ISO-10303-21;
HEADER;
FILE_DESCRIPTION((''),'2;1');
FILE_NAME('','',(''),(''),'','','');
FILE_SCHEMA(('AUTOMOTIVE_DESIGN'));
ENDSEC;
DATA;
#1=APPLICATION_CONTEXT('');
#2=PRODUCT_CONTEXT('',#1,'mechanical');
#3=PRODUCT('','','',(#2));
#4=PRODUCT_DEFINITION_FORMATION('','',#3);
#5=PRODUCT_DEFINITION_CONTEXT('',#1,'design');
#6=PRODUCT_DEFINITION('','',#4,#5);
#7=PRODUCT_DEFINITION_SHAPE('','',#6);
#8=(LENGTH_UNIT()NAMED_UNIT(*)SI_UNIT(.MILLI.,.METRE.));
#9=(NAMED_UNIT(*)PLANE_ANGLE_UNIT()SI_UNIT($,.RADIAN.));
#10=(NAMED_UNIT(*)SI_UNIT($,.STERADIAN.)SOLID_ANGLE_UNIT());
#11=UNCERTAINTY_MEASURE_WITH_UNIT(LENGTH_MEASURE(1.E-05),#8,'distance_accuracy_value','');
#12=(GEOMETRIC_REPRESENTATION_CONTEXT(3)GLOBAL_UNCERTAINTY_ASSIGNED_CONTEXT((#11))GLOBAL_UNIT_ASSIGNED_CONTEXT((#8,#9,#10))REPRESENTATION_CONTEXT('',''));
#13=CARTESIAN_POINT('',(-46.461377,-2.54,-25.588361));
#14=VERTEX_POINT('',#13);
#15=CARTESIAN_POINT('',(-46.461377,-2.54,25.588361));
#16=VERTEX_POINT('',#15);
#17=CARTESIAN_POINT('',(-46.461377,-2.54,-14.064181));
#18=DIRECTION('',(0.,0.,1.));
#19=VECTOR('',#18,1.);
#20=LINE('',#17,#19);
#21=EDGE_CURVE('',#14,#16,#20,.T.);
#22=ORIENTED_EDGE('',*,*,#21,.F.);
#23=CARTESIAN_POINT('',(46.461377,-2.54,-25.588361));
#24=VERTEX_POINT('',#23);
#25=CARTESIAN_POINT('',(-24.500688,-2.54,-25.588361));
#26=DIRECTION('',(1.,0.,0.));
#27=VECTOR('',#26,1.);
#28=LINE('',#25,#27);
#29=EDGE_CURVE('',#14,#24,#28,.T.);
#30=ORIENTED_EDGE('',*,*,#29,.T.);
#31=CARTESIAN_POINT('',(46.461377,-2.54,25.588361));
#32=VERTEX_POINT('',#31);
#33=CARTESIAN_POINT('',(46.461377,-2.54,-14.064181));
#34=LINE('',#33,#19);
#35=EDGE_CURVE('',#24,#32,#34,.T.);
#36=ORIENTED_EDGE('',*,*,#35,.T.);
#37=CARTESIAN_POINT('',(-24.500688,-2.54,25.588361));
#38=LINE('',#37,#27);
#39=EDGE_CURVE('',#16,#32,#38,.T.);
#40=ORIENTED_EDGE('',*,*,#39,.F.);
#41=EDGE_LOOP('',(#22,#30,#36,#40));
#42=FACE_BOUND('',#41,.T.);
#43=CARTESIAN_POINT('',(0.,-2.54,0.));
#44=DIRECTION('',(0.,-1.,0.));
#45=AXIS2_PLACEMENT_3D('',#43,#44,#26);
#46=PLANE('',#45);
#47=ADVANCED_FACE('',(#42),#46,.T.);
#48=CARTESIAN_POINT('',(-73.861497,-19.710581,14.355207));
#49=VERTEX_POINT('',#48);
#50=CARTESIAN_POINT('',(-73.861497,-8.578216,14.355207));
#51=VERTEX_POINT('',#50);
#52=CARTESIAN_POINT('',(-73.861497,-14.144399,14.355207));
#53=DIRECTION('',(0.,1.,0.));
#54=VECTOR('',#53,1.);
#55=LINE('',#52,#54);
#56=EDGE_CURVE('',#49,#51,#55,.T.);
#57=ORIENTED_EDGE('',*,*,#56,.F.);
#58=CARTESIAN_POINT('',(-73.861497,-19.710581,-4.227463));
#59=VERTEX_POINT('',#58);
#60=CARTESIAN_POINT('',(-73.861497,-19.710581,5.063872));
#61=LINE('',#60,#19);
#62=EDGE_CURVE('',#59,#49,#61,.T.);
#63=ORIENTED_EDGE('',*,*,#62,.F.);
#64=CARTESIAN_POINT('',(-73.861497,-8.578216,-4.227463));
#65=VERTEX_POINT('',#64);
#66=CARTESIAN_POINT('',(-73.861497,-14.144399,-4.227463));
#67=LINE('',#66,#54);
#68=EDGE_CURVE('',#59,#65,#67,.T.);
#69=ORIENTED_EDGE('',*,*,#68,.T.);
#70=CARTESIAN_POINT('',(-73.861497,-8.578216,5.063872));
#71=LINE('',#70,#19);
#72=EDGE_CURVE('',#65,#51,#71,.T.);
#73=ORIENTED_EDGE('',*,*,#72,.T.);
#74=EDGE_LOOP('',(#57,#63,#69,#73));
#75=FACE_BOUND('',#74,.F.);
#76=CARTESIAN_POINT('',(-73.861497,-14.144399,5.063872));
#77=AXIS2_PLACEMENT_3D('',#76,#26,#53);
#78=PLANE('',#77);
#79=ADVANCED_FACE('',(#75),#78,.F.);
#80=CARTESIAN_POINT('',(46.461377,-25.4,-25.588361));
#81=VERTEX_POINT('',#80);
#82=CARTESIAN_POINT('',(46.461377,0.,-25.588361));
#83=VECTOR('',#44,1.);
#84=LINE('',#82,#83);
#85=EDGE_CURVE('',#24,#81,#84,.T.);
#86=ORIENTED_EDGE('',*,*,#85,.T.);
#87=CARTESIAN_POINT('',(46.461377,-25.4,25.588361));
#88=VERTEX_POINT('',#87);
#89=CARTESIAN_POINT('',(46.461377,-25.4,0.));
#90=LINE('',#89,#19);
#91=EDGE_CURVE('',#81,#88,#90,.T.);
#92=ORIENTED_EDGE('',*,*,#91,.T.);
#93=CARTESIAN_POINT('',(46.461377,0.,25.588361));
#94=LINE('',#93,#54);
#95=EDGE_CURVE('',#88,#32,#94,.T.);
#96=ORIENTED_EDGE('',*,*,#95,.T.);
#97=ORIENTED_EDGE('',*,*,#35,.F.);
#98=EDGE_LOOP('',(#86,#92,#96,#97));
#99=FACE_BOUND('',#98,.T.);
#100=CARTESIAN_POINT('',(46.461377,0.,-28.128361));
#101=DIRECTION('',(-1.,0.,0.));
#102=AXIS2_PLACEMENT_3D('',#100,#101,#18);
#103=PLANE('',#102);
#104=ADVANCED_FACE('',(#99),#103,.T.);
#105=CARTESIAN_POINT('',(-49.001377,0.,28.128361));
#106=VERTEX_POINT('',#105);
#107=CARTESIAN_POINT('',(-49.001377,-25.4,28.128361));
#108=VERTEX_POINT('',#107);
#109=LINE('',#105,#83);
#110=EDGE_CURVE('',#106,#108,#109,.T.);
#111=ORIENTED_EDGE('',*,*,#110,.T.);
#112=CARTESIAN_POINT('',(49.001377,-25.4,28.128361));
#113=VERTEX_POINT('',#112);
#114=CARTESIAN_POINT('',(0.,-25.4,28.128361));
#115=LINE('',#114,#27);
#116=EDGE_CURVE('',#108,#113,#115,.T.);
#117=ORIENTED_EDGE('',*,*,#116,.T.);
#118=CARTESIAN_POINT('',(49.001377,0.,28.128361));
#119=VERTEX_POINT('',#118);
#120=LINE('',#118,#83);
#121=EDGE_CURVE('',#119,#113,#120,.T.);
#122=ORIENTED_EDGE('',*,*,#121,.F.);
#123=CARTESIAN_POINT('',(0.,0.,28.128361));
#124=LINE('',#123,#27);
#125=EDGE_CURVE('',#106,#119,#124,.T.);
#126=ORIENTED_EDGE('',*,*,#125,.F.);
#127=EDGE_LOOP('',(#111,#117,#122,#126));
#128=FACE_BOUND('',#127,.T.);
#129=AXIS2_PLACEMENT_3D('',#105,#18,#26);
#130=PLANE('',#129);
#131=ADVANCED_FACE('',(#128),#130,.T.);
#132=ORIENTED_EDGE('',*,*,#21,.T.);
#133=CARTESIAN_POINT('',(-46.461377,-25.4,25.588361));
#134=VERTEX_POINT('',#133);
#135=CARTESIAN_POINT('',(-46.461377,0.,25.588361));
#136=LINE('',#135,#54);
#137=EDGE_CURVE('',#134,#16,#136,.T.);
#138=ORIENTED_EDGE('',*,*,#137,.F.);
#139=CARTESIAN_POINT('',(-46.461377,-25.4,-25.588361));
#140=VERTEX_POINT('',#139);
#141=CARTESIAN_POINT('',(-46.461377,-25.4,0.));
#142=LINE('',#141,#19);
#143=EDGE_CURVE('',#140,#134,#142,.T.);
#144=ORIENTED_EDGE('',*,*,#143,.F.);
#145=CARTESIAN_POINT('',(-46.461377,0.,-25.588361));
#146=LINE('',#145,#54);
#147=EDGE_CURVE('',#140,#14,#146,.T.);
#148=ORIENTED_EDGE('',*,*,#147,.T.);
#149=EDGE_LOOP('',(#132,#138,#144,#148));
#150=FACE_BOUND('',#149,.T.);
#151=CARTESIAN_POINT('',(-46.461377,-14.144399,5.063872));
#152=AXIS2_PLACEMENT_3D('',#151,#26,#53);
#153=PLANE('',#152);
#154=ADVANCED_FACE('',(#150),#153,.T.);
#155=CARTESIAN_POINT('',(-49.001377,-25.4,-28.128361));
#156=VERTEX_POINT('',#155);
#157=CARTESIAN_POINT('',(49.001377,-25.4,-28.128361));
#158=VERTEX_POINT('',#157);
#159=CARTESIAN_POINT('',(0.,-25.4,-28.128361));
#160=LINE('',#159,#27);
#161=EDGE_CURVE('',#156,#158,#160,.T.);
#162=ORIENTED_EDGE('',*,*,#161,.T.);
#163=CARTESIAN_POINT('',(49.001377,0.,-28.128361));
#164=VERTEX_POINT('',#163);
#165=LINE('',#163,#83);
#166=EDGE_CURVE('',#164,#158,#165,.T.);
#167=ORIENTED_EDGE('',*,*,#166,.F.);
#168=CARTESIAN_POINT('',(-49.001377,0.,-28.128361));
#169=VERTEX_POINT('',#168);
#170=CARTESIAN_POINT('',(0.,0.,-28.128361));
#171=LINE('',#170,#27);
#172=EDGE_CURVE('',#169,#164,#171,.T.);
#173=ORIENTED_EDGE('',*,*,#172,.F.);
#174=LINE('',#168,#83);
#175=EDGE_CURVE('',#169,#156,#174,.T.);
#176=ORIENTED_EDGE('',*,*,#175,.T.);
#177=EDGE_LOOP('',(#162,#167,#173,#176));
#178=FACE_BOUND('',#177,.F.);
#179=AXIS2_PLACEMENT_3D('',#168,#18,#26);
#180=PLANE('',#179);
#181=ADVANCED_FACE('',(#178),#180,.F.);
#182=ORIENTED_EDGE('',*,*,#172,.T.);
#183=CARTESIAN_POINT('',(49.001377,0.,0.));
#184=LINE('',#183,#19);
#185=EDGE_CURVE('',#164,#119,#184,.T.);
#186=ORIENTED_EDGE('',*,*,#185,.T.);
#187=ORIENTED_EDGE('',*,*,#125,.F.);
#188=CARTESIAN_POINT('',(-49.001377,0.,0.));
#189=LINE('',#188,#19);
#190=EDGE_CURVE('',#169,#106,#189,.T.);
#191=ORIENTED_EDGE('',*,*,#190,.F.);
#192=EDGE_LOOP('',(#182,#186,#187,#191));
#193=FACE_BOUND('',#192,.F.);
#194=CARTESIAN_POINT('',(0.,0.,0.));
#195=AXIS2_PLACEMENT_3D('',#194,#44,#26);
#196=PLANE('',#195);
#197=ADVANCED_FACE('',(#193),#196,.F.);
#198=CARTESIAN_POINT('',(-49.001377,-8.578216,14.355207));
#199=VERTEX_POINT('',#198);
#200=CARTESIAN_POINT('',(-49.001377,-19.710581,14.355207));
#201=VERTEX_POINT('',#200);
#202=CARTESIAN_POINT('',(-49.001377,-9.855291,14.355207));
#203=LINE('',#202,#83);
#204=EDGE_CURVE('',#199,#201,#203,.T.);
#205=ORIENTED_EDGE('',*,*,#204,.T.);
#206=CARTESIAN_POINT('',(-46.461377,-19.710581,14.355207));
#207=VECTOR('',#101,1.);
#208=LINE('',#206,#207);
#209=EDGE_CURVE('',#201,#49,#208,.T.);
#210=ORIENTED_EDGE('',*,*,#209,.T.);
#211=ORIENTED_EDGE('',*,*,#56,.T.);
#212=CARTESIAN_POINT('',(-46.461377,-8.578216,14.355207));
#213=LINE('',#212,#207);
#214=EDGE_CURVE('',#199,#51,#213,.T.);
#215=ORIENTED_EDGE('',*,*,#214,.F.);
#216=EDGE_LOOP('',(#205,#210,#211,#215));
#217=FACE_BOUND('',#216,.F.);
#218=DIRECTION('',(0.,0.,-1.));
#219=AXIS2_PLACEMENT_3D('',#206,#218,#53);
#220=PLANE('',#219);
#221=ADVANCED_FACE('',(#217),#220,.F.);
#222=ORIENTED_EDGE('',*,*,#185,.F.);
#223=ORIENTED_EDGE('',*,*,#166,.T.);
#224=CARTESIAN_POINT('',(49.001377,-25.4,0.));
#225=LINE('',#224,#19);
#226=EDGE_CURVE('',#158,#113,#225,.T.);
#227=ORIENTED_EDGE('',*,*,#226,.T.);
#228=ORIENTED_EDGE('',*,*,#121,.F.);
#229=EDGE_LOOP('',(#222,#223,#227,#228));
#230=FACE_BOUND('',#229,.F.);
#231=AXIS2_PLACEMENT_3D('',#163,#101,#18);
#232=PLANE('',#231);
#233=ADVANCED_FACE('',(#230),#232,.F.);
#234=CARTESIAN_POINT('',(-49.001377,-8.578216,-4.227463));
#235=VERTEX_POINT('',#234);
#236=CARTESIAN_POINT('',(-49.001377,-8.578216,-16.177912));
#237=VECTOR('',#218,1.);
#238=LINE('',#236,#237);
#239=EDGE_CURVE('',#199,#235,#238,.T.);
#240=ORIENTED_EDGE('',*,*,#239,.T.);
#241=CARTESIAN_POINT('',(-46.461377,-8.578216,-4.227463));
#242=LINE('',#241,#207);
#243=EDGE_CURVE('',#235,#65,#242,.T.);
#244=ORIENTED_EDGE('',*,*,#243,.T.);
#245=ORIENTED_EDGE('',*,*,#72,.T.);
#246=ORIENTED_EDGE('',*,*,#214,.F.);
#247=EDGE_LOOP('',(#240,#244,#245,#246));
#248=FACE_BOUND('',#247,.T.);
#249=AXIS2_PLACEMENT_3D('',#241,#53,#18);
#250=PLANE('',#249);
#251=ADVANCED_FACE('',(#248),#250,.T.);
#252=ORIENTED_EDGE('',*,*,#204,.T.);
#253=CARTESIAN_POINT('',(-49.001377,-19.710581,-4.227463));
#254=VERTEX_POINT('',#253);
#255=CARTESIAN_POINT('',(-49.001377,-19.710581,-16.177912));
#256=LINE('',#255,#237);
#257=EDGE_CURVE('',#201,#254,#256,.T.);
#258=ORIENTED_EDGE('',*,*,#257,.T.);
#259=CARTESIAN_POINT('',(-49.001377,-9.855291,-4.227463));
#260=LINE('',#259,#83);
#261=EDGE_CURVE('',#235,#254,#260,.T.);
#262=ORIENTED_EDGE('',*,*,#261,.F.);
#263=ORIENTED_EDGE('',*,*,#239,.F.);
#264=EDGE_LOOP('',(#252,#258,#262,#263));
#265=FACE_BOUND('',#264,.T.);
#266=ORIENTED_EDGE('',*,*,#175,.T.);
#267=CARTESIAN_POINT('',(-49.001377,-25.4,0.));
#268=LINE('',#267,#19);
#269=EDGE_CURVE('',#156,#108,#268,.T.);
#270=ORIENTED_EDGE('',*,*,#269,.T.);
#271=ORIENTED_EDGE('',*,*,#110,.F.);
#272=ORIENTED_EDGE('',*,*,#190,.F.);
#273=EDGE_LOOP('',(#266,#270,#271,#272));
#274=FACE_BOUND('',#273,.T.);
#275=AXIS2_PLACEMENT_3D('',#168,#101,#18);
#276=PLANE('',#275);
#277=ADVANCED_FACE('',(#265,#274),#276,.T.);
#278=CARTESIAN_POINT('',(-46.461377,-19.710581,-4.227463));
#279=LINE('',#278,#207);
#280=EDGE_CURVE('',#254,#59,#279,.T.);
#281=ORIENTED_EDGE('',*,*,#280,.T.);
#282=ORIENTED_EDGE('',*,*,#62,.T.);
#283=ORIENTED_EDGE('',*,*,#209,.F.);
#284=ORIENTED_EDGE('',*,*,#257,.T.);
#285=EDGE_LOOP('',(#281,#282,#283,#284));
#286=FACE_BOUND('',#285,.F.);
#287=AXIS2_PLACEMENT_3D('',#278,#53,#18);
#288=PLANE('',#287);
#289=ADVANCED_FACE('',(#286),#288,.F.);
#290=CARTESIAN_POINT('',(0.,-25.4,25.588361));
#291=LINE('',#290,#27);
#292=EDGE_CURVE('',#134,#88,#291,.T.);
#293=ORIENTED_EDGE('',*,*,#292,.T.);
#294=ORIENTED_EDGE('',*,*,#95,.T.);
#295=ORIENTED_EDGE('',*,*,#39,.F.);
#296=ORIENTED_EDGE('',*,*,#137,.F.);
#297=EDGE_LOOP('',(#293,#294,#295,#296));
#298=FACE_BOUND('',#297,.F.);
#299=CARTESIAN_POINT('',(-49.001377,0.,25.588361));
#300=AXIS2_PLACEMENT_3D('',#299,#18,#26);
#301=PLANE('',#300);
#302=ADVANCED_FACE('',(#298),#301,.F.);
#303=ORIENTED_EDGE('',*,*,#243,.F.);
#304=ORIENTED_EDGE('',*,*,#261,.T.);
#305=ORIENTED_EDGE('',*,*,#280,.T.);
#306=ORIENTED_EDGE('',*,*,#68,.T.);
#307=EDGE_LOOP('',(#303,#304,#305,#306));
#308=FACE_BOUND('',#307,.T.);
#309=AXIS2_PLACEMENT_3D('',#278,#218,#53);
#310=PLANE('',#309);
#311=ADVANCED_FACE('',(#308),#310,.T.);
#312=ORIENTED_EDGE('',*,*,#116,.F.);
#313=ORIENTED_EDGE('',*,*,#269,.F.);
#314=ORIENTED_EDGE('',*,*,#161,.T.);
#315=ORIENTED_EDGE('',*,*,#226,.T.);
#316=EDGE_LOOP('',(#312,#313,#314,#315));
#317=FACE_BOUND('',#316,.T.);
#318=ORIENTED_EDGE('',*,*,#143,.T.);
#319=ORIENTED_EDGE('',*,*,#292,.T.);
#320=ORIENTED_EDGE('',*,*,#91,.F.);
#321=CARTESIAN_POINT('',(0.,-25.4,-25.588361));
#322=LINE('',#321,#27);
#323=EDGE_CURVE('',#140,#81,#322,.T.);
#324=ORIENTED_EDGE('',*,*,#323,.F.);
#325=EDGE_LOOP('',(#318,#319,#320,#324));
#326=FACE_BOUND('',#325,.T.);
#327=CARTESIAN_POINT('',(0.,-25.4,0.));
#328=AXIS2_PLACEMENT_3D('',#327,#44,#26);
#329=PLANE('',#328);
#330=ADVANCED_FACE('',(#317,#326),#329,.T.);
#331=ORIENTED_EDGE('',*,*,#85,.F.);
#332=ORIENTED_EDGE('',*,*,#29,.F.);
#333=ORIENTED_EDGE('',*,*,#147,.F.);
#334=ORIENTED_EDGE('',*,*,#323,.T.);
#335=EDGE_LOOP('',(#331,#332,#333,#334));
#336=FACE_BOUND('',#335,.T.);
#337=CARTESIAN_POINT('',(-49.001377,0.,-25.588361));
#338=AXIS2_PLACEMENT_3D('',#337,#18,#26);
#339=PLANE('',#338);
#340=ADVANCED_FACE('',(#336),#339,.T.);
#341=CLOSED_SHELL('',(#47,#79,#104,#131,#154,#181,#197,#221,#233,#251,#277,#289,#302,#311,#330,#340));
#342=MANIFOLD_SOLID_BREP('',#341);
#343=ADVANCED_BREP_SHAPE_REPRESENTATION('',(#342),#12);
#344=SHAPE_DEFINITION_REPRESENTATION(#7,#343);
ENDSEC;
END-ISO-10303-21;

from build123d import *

# Parameters (mm, degrees)
F0_W     = 98.002754
F0_H     = 56.256722
F1_DEPTH = 25.4
F2_T     = -2.54
F3_W     = 11.132365
F3_H     = 18.58267
F4_DEPTH = 27.40012


with BuildPart() as f1:
    # F0 (on Front) → F1 (new body)
    with BuildSketch(Plane.XZ):
        Rectangle(F0_W, F0_H)
    extrude(amount=F1_DEPTH)

    # F2
    f2_openings = [f1.faces().sort_by_distance(p)[0] for p in [
        (0, -25.4, 0),
    ]]
    offset(amount=F2_T, openings=f2_openings)

    # F3 (on face) → F4 (join)
    with BuildSketch(Plane.YZ.offset(-46.461377)):
        with Locations((-14.144399, 5.063872)):
            Rectangle(F3_W, F3_H)
    extrude(amount=-F4_DEPTH)


solid = f1.part
